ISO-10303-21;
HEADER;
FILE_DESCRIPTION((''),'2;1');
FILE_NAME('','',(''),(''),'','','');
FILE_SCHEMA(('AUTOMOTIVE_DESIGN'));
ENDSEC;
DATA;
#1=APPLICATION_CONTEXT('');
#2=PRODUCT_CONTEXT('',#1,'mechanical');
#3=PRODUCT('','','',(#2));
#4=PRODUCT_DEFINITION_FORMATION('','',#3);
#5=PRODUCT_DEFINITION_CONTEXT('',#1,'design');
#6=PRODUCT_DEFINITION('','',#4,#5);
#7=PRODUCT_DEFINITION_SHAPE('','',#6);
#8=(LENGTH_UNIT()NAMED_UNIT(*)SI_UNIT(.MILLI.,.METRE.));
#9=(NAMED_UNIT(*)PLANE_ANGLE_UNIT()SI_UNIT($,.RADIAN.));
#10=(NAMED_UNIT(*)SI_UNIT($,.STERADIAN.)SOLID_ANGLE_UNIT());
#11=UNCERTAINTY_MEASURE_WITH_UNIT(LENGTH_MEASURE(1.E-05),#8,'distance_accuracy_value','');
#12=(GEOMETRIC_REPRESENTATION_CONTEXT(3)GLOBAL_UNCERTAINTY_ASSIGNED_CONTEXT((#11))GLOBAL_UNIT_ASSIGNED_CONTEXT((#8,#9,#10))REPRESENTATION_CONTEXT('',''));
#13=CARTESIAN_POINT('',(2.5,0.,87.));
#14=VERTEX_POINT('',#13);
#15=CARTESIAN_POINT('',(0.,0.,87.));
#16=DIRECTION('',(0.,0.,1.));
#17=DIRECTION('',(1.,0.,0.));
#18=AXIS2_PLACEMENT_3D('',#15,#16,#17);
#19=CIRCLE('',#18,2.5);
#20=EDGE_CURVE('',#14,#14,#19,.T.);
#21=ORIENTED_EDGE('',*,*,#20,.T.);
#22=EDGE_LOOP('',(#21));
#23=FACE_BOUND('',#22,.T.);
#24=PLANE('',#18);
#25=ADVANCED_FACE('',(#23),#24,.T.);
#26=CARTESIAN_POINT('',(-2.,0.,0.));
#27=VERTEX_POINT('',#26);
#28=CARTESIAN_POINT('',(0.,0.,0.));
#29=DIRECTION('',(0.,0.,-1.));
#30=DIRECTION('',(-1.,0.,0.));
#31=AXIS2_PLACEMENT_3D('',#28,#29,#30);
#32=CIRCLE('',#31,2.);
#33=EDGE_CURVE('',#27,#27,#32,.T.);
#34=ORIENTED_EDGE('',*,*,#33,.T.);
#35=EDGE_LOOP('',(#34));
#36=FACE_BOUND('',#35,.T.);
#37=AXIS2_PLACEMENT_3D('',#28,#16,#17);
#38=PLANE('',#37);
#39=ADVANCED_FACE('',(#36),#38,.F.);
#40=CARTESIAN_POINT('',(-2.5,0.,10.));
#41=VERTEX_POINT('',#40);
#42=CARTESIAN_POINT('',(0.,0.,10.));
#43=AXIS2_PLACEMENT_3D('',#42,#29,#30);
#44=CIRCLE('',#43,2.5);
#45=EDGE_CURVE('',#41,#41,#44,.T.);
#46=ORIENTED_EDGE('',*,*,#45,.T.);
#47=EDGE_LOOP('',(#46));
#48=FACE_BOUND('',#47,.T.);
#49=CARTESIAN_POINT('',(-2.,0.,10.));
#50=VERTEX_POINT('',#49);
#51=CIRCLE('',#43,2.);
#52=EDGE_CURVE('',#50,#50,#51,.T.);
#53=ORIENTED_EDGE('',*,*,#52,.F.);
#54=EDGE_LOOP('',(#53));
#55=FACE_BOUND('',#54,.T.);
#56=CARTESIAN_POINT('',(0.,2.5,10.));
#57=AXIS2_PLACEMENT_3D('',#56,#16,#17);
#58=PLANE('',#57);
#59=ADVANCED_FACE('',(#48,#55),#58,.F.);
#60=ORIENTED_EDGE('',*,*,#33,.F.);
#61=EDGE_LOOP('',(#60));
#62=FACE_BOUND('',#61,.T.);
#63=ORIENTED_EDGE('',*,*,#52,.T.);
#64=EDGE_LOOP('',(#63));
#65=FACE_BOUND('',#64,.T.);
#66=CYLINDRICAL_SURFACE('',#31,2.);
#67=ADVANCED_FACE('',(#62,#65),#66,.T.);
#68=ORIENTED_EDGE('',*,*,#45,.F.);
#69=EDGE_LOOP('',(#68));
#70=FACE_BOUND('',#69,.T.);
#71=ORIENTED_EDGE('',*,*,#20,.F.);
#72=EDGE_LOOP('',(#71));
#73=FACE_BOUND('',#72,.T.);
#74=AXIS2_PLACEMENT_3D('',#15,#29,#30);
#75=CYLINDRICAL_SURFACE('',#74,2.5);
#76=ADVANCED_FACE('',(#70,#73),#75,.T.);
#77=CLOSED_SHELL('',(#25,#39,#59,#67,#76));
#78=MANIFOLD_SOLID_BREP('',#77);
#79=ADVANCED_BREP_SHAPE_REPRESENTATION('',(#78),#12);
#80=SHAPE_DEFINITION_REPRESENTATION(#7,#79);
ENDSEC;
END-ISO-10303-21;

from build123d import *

# Parameters (mm, degrees)
ESQUISSE1_R        = 2.5
BOSS_EXTRU_1_DEPTH = 87
ESQUISSE2_W        = 10
ESQUISSE2_H        = 0.5


with BuildPart() as part:
    # Esquisse1 → Boss.-Extru.1 (new body)
    with BuildSketch(Plane.XY):
        Circle(ESQUISSE1_R)
    extrude(amount=BOSS_EXTRU_1_DEPTH)

    # Esquisse2 → Enlèvement de matière-Révolution1 (revolve, cut)
    with BuildSketch(Plane(origin=(0, 0, 0), x_dir=(0, 0, -1), z_dir=(1, 0, 0)), mode=Mode.PRIVATE) as enl_vement_de_mati_re_r_volution1_sk:
        with Locations((-5, 2.25)):
            Rectangle(ESQUISSE2_W, ESQUISSE2_H)
    revolve(enl_vement_de_mati_re_r_volution1_sk.sketch.rotate(Axis((0, 0, 0), (0, 0, 1)), 90), axis=Axis((0, 0, 0), (0, 0, 1)), mode=Mode.SUBTRACT)


solid = part.part
